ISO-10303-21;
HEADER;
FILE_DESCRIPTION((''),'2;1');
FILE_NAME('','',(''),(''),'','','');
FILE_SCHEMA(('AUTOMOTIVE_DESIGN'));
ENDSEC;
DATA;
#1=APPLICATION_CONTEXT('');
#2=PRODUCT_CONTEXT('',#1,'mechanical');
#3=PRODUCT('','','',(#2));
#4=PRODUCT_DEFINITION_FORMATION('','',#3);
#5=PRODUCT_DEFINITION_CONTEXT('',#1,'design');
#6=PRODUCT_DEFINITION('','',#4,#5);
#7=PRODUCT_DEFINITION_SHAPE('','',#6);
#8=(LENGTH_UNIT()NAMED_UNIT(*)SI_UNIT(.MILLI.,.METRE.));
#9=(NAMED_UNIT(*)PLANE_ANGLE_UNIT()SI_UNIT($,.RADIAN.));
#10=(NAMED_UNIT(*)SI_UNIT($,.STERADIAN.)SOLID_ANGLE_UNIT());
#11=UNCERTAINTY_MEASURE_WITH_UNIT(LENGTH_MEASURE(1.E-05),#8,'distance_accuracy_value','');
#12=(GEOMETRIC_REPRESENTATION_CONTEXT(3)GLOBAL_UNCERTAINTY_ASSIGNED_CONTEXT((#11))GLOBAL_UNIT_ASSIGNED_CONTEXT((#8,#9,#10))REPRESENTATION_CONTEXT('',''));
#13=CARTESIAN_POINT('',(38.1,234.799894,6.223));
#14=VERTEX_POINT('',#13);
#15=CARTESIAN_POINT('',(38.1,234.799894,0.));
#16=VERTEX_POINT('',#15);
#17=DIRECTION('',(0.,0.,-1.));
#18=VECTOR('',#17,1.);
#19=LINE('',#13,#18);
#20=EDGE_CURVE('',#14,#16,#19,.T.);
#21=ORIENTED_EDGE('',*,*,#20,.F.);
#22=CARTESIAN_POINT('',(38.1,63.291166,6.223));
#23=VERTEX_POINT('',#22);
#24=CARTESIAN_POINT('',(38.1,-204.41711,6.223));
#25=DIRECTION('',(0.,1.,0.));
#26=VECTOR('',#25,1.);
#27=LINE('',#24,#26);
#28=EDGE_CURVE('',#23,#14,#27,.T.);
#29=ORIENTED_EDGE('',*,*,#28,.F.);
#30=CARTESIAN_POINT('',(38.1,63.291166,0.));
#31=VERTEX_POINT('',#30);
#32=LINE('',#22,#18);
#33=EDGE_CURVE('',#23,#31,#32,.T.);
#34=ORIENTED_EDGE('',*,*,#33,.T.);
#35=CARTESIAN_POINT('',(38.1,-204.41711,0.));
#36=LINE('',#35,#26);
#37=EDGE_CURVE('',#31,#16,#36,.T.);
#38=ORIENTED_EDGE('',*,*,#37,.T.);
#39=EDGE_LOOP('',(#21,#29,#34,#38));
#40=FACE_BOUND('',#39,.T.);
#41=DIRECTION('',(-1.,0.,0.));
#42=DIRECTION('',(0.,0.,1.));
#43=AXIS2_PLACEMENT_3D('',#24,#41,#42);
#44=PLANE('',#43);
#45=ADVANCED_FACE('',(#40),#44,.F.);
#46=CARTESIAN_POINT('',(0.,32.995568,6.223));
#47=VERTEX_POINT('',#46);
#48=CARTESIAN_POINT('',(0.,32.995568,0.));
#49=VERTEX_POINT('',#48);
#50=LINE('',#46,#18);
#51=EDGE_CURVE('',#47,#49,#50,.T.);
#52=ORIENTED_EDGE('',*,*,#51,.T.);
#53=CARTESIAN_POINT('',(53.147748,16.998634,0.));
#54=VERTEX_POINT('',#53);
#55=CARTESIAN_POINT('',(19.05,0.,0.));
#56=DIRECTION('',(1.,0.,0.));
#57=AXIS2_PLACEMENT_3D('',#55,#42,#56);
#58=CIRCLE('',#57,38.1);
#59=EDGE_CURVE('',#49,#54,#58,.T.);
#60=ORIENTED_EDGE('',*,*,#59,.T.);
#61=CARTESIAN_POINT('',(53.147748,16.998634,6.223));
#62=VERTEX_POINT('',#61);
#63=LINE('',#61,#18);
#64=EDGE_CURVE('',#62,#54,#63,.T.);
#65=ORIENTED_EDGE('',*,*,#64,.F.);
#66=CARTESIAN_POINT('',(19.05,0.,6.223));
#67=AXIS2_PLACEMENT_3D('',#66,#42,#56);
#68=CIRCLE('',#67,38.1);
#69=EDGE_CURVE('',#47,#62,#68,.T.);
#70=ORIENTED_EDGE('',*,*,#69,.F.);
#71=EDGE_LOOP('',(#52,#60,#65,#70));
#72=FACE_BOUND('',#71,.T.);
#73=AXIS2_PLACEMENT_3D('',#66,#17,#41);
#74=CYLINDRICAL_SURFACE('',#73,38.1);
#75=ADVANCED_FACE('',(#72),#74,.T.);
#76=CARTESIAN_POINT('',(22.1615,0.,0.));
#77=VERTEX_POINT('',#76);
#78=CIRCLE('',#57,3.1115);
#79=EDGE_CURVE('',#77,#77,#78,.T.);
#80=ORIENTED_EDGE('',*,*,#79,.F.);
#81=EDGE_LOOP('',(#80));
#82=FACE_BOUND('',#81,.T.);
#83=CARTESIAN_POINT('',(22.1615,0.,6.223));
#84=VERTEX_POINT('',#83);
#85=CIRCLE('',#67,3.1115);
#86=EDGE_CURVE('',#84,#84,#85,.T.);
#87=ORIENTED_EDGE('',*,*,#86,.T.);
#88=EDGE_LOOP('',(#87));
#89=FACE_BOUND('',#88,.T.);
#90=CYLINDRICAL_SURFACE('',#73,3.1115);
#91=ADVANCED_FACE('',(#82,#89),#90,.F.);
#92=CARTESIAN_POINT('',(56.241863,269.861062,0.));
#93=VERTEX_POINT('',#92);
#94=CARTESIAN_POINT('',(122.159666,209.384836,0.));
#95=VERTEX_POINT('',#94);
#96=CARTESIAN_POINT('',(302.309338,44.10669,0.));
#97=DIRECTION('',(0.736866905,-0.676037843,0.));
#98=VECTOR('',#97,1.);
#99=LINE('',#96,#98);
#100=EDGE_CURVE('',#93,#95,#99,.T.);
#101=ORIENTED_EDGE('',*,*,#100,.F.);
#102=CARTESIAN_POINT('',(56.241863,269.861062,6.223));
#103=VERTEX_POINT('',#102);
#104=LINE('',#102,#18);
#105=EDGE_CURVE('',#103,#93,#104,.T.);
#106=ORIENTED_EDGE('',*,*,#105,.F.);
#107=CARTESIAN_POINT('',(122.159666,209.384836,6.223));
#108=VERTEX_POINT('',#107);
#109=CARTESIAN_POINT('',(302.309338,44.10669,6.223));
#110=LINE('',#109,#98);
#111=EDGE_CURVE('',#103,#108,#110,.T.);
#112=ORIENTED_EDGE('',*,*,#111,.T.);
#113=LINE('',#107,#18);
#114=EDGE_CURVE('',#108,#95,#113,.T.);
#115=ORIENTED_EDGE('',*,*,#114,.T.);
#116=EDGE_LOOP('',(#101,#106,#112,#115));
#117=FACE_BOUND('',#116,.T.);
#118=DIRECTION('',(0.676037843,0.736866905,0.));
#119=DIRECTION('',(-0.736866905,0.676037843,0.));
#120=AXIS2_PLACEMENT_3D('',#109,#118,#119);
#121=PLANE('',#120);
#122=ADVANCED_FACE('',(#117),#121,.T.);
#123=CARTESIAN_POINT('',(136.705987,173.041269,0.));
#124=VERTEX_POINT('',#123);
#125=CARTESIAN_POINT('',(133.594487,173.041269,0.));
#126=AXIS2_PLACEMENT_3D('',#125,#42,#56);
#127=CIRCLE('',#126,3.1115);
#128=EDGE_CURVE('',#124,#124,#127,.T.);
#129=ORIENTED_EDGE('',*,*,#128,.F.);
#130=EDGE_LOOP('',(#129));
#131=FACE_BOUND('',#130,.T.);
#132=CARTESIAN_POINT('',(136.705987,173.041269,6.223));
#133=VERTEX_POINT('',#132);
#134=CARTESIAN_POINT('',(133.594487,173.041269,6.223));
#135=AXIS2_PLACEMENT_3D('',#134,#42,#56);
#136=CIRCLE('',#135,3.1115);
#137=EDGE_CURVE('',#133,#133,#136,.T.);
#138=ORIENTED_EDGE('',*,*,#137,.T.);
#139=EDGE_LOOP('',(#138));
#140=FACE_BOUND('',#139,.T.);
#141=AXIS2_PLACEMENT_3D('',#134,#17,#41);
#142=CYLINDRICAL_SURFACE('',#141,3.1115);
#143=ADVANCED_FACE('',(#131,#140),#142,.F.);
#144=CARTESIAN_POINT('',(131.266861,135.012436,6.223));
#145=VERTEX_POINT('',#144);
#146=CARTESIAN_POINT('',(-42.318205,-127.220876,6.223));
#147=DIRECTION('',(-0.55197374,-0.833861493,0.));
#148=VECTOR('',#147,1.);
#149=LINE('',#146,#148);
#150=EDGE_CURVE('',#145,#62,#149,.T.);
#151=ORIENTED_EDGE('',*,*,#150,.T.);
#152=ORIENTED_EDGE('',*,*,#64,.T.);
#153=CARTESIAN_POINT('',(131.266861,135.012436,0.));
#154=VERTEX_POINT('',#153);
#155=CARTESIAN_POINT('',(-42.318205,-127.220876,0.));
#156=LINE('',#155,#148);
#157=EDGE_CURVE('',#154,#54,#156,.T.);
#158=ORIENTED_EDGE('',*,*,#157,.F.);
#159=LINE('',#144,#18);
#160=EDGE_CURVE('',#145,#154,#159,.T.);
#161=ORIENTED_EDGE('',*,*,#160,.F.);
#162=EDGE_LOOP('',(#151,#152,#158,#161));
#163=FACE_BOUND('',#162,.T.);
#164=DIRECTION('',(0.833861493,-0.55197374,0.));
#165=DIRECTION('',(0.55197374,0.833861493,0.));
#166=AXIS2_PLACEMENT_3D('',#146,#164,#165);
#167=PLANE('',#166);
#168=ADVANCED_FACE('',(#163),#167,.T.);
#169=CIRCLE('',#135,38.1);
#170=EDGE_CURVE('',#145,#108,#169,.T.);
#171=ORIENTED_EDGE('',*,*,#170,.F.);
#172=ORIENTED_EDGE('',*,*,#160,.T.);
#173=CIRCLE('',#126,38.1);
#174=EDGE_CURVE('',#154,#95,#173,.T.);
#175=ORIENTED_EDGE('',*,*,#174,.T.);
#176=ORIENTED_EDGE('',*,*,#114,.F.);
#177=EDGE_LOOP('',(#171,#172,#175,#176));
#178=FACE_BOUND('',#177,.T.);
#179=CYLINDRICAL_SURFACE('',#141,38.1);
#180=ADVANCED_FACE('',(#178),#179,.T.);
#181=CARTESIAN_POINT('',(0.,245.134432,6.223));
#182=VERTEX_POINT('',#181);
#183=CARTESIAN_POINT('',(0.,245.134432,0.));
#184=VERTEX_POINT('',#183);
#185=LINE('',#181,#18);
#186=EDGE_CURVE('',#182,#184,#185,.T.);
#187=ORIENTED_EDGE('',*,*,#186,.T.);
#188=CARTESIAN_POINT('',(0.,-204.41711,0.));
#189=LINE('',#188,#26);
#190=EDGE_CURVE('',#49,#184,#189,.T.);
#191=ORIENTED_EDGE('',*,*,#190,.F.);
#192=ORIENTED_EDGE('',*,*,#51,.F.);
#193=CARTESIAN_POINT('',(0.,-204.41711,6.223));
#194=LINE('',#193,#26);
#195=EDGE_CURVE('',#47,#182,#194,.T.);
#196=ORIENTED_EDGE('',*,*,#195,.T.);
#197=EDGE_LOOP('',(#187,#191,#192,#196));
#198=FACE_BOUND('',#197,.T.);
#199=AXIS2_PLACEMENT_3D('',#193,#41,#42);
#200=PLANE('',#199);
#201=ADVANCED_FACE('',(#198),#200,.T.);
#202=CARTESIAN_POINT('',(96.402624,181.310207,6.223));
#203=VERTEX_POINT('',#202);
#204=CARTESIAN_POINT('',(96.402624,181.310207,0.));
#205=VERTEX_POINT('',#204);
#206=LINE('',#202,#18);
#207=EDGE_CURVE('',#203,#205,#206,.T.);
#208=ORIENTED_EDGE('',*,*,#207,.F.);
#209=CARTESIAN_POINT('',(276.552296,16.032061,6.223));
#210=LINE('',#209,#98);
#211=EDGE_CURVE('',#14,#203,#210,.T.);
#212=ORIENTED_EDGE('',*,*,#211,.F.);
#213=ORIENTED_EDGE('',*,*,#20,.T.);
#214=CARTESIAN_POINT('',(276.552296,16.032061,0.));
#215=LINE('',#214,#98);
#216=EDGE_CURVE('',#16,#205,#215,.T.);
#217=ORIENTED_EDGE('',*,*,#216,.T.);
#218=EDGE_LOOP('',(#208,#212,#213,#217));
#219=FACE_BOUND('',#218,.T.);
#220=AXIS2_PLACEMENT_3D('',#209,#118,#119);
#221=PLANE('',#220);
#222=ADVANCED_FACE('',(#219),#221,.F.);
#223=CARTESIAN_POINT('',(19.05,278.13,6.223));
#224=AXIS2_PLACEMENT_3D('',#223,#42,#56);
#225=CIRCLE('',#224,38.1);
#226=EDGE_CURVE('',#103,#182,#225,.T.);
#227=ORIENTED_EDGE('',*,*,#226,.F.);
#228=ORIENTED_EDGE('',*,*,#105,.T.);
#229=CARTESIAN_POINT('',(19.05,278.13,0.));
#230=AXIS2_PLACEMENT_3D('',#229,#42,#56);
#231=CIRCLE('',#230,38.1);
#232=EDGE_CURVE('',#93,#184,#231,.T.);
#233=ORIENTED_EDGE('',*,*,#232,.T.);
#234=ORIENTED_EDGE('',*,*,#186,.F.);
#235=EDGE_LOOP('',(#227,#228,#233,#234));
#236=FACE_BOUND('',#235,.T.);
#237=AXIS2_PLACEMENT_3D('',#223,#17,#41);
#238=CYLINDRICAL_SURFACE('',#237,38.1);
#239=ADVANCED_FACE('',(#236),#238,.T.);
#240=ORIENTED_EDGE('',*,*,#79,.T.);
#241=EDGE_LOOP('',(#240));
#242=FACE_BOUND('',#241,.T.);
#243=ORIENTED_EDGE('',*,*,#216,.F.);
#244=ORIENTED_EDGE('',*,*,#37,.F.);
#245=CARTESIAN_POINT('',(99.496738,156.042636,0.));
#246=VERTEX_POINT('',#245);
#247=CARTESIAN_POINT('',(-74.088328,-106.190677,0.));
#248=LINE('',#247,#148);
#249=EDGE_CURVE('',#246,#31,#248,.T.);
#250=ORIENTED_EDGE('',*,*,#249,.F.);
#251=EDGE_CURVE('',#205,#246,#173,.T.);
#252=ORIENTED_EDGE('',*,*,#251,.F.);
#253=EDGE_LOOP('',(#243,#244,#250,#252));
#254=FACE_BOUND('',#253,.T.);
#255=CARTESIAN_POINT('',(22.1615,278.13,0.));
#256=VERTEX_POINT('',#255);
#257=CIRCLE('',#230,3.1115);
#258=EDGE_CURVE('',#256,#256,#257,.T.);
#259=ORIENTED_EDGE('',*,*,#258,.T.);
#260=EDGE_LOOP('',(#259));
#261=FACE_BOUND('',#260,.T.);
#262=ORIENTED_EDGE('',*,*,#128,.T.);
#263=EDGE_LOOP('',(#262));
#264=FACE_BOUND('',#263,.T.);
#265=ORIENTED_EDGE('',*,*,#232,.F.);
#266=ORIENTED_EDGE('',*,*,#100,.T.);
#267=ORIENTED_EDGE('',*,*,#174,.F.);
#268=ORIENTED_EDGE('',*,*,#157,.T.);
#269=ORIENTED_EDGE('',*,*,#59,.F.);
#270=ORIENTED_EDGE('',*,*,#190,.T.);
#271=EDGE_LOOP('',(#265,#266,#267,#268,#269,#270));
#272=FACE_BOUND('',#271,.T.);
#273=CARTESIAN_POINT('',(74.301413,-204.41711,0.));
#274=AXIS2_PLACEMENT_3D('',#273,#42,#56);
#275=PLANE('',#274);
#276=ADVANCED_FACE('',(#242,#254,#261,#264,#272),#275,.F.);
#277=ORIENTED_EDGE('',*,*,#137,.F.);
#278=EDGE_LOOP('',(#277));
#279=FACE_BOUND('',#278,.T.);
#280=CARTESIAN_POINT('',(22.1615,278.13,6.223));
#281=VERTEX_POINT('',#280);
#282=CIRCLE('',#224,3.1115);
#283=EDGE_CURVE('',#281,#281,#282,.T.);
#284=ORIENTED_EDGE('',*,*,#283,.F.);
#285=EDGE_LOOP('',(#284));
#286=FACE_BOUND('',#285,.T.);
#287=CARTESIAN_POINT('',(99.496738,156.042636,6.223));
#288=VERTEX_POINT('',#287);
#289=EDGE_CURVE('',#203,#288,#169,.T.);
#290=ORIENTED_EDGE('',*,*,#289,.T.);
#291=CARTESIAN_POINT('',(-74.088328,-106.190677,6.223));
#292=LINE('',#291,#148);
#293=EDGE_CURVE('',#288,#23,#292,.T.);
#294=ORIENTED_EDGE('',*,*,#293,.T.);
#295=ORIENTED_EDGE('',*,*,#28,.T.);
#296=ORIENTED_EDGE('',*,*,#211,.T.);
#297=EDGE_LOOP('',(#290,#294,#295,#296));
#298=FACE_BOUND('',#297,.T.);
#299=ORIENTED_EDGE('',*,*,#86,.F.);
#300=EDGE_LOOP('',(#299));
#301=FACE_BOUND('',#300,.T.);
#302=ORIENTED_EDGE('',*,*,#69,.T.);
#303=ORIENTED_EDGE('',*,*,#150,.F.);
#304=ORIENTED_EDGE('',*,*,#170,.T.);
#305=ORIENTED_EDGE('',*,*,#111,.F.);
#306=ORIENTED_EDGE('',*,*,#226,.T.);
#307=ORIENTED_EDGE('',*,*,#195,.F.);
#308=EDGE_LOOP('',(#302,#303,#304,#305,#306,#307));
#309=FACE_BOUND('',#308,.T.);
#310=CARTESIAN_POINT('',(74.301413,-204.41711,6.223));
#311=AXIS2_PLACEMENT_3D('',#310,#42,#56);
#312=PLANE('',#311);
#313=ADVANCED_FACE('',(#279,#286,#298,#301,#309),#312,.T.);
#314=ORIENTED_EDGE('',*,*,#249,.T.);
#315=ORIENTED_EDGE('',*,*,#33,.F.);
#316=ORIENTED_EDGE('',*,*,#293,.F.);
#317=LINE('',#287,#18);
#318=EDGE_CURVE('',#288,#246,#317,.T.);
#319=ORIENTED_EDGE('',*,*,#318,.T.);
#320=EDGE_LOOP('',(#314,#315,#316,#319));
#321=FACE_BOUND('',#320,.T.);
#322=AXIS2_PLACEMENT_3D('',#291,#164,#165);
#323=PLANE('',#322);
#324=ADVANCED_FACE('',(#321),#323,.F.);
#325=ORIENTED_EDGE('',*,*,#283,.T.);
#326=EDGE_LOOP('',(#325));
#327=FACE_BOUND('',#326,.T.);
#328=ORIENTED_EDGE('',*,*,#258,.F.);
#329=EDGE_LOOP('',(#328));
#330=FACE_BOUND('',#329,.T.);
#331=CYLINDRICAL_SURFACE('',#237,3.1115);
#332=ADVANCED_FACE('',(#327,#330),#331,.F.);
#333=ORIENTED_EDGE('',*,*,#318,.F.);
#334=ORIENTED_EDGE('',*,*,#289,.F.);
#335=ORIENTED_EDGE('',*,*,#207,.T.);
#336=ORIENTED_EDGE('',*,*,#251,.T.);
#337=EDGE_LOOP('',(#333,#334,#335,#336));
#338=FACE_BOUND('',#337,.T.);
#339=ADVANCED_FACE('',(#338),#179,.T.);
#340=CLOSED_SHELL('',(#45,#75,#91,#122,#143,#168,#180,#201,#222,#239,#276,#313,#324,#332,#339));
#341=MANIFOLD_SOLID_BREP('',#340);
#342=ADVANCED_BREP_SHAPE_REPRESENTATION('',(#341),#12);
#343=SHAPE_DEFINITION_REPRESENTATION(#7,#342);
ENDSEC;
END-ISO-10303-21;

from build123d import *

# Parameters (mm, degrees)
SKETCH1_R           = 3.1115
BOSS_EXTRUDE1_DEPTH = 6.223


with BuildPart() as part:
    # Sketch1 → Boss-Extrude1 (new body)
    with BuildSketch(Plane.XY):
        with BuildLine():
            ThreePointArc((56.241862877, 269.861061996), (3.715941389, 313.008025267), (0, 245.134432116))
            Line((0, 245.134432116), (0, 32.995567884))
            ThreePointArc((0, 32.995567884), (8.068918145, -36.483226849), (53.14774846, 16.998633767))
            Line((53.14774846, 16.998633767), (131.266861023, 135.012436144))
            ThreePointArc((131.266861023, 135.012436144), (171.412005233, 177.672174614), (122.159665516, 209.384836474))
            Line((122.159665516, 209.384836474), (56.241862877, 269.861061996))
        make_face()
        with Locations((19.05, 0)):
            Circle(SKETCH1_R, mode=Mode.SUBTRACT)
        with Locations((19.05, 278.13)):
            Circle(SKETCH1_R, mode=Mode.SUBTRACT)
        with BuildLine():
            Line((99.496738121, 156.042635639), (38.1, 63.291165717))
            Line((38.1, 63.291165717), (38.1, 234.79989424))
            Line((38.1, 234.79989424), (96.402623704, 181.31020741))
            ThreePointArc((96.402623704, 181.31020741), (95.77696793, 168.410364199), (99.496738121, 156.042635639))
        make_face(mode=Mode.SUBTRACT)
        with Locations((133.594486582, 173.041269406)):
            Circle(SKETCH1_R, mode=Mode.SUBTRACT)
    extrude(amount=BOSS_EXTRUDE1_DEPTH)


solid = part.part
